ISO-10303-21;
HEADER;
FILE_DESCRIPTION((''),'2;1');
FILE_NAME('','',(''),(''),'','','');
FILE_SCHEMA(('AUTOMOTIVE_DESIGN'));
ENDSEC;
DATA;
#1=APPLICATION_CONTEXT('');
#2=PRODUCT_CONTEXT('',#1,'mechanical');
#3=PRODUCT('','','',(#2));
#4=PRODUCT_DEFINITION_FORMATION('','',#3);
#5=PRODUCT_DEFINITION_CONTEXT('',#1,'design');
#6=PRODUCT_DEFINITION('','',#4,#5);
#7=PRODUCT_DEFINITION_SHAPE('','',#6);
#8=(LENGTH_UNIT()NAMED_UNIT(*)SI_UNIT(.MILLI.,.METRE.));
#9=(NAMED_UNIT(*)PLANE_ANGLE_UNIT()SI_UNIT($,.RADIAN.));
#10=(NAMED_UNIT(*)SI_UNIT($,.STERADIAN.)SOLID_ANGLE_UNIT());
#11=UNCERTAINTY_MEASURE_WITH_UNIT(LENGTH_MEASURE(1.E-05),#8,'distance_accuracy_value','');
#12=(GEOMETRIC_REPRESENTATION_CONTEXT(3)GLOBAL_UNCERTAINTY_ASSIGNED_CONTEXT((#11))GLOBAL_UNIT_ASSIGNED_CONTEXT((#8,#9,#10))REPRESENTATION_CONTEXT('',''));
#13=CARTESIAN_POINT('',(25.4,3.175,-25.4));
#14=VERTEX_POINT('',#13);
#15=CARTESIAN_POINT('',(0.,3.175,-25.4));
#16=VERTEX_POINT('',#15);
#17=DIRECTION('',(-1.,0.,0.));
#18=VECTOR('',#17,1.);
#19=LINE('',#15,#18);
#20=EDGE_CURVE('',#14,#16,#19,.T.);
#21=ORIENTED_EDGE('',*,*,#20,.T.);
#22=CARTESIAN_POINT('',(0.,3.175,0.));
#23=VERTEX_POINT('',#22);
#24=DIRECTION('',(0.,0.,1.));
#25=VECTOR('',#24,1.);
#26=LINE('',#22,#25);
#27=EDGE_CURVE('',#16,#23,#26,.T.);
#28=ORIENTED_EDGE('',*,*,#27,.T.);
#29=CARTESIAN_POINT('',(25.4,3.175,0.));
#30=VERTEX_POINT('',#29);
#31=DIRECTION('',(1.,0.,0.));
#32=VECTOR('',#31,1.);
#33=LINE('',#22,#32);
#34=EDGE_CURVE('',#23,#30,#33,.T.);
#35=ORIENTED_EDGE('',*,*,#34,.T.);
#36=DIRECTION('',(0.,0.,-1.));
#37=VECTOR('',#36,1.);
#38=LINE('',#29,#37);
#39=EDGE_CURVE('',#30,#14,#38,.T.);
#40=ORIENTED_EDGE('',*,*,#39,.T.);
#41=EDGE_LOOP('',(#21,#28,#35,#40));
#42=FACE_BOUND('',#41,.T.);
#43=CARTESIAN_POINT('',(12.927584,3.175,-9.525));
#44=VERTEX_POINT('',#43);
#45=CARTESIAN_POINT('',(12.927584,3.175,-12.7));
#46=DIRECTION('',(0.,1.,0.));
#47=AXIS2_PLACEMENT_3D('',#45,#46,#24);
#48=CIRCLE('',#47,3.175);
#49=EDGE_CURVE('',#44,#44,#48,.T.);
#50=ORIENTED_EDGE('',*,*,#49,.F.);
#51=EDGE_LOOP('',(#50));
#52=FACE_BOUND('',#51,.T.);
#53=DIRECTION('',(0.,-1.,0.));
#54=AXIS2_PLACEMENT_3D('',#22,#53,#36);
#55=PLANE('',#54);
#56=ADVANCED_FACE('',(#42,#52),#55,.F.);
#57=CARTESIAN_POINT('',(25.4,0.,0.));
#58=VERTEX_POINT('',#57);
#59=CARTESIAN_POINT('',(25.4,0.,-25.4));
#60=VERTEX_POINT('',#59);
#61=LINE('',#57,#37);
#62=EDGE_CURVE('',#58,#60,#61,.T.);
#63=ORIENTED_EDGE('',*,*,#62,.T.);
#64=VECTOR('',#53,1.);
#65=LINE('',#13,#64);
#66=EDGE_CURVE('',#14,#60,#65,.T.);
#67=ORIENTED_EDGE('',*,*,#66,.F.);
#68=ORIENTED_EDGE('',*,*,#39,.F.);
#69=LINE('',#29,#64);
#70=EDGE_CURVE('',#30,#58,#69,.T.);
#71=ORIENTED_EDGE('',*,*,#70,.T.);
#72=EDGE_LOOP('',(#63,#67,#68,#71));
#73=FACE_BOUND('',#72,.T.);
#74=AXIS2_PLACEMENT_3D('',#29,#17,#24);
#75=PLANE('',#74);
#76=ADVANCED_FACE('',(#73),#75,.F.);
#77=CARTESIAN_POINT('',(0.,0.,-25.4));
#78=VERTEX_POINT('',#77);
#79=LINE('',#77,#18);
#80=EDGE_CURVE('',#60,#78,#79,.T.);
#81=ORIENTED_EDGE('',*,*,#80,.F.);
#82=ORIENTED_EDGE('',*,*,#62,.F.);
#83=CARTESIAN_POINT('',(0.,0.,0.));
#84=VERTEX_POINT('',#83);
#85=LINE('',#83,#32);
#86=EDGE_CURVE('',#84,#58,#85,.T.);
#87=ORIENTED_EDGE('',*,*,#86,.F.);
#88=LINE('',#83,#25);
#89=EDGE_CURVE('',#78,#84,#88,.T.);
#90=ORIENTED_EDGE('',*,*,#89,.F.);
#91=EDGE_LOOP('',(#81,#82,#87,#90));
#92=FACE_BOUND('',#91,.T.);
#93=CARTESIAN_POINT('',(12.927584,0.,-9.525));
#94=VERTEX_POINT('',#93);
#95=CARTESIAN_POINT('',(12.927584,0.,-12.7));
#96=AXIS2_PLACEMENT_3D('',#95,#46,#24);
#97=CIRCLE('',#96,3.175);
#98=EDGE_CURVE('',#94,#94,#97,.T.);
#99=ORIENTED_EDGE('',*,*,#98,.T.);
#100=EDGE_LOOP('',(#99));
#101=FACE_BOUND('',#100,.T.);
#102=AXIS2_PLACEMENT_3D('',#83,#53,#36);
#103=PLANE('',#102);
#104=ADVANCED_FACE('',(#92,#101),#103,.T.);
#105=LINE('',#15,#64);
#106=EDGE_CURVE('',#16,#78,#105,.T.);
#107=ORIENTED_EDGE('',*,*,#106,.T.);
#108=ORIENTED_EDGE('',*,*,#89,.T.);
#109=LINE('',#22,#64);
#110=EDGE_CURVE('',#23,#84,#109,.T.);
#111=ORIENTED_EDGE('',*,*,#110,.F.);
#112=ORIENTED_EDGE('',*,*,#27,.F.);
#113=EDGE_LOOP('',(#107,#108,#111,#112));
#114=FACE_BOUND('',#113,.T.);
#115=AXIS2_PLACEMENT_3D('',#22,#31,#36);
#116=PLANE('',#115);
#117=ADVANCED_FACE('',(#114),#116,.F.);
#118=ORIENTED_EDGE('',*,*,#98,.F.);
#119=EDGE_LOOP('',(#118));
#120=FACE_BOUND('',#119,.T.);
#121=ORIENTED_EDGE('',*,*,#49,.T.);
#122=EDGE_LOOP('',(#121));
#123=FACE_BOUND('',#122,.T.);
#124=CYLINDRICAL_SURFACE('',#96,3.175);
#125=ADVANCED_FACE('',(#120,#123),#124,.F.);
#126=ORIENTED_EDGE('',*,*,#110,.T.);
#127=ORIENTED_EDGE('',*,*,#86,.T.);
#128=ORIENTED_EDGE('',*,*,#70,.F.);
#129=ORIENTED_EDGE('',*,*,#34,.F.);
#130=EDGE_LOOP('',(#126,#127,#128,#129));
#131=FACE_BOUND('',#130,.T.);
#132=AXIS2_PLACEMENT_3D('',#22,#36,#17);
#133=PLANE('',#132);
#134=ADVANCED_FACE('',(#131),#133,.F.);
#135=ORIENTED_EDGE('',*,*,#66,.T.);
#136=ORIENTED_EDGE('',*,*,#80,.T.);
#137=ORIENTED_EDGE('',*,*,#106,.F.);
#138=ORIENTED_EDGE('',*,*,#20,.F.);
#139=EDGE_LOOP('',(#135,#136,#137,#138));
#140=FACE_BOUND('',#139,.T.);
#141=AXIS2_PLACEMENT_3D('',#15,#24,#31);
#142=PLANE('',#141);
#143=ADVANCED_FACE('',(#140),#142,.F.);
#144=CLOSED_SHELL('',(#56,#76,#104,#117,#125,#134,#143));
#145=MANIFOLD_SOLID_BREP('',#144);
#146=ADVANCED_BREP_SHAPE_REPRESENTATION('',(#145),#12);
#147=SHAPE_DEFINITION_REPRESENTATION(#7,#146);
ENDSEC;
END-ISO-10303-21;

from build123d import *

# Parameters (mm, degrees)
SKETCH1_W           = 25.4
SKETCH1_H           = 25.4
BOSS_EXTRUDE1_DEPTH = 3.175
SKETCH2_R           = 3.175
CUT_EXTRUDE1_DEPTH  = 37.061067996


with BuildPart() as part:
    # Sketch1 → Boss-Extrude1 (new body)
    with BuildSketch(Plane(origin=(0, 0, 0), x_dir=(1, 0, 0), z_dir=(0, 1, 0))):
        with Locations((12.7, 12.7)):
            Rectangle(SKETCH1_W, SKETCH1_H)
    extrude(amount=BOSS_EXTRUDE1_DEPTH)

    # Sketch2 → Cut-Extrude1 (cut, through all)
    with BuildSketch(Plane(origin=(0, 3.175, 0), x_dir=(1, 0, 0), z_dir=(0, 1, 0))):
        with Locations(Location((12.927583797, 12.7, 0), (0, 0, 270))):
            Circle(SKETCH2_R)
    extrude(amount=-CUT_EXTRUDE1_DEPTH, mode=Mode.SUBTRACT)


solid = part.part
